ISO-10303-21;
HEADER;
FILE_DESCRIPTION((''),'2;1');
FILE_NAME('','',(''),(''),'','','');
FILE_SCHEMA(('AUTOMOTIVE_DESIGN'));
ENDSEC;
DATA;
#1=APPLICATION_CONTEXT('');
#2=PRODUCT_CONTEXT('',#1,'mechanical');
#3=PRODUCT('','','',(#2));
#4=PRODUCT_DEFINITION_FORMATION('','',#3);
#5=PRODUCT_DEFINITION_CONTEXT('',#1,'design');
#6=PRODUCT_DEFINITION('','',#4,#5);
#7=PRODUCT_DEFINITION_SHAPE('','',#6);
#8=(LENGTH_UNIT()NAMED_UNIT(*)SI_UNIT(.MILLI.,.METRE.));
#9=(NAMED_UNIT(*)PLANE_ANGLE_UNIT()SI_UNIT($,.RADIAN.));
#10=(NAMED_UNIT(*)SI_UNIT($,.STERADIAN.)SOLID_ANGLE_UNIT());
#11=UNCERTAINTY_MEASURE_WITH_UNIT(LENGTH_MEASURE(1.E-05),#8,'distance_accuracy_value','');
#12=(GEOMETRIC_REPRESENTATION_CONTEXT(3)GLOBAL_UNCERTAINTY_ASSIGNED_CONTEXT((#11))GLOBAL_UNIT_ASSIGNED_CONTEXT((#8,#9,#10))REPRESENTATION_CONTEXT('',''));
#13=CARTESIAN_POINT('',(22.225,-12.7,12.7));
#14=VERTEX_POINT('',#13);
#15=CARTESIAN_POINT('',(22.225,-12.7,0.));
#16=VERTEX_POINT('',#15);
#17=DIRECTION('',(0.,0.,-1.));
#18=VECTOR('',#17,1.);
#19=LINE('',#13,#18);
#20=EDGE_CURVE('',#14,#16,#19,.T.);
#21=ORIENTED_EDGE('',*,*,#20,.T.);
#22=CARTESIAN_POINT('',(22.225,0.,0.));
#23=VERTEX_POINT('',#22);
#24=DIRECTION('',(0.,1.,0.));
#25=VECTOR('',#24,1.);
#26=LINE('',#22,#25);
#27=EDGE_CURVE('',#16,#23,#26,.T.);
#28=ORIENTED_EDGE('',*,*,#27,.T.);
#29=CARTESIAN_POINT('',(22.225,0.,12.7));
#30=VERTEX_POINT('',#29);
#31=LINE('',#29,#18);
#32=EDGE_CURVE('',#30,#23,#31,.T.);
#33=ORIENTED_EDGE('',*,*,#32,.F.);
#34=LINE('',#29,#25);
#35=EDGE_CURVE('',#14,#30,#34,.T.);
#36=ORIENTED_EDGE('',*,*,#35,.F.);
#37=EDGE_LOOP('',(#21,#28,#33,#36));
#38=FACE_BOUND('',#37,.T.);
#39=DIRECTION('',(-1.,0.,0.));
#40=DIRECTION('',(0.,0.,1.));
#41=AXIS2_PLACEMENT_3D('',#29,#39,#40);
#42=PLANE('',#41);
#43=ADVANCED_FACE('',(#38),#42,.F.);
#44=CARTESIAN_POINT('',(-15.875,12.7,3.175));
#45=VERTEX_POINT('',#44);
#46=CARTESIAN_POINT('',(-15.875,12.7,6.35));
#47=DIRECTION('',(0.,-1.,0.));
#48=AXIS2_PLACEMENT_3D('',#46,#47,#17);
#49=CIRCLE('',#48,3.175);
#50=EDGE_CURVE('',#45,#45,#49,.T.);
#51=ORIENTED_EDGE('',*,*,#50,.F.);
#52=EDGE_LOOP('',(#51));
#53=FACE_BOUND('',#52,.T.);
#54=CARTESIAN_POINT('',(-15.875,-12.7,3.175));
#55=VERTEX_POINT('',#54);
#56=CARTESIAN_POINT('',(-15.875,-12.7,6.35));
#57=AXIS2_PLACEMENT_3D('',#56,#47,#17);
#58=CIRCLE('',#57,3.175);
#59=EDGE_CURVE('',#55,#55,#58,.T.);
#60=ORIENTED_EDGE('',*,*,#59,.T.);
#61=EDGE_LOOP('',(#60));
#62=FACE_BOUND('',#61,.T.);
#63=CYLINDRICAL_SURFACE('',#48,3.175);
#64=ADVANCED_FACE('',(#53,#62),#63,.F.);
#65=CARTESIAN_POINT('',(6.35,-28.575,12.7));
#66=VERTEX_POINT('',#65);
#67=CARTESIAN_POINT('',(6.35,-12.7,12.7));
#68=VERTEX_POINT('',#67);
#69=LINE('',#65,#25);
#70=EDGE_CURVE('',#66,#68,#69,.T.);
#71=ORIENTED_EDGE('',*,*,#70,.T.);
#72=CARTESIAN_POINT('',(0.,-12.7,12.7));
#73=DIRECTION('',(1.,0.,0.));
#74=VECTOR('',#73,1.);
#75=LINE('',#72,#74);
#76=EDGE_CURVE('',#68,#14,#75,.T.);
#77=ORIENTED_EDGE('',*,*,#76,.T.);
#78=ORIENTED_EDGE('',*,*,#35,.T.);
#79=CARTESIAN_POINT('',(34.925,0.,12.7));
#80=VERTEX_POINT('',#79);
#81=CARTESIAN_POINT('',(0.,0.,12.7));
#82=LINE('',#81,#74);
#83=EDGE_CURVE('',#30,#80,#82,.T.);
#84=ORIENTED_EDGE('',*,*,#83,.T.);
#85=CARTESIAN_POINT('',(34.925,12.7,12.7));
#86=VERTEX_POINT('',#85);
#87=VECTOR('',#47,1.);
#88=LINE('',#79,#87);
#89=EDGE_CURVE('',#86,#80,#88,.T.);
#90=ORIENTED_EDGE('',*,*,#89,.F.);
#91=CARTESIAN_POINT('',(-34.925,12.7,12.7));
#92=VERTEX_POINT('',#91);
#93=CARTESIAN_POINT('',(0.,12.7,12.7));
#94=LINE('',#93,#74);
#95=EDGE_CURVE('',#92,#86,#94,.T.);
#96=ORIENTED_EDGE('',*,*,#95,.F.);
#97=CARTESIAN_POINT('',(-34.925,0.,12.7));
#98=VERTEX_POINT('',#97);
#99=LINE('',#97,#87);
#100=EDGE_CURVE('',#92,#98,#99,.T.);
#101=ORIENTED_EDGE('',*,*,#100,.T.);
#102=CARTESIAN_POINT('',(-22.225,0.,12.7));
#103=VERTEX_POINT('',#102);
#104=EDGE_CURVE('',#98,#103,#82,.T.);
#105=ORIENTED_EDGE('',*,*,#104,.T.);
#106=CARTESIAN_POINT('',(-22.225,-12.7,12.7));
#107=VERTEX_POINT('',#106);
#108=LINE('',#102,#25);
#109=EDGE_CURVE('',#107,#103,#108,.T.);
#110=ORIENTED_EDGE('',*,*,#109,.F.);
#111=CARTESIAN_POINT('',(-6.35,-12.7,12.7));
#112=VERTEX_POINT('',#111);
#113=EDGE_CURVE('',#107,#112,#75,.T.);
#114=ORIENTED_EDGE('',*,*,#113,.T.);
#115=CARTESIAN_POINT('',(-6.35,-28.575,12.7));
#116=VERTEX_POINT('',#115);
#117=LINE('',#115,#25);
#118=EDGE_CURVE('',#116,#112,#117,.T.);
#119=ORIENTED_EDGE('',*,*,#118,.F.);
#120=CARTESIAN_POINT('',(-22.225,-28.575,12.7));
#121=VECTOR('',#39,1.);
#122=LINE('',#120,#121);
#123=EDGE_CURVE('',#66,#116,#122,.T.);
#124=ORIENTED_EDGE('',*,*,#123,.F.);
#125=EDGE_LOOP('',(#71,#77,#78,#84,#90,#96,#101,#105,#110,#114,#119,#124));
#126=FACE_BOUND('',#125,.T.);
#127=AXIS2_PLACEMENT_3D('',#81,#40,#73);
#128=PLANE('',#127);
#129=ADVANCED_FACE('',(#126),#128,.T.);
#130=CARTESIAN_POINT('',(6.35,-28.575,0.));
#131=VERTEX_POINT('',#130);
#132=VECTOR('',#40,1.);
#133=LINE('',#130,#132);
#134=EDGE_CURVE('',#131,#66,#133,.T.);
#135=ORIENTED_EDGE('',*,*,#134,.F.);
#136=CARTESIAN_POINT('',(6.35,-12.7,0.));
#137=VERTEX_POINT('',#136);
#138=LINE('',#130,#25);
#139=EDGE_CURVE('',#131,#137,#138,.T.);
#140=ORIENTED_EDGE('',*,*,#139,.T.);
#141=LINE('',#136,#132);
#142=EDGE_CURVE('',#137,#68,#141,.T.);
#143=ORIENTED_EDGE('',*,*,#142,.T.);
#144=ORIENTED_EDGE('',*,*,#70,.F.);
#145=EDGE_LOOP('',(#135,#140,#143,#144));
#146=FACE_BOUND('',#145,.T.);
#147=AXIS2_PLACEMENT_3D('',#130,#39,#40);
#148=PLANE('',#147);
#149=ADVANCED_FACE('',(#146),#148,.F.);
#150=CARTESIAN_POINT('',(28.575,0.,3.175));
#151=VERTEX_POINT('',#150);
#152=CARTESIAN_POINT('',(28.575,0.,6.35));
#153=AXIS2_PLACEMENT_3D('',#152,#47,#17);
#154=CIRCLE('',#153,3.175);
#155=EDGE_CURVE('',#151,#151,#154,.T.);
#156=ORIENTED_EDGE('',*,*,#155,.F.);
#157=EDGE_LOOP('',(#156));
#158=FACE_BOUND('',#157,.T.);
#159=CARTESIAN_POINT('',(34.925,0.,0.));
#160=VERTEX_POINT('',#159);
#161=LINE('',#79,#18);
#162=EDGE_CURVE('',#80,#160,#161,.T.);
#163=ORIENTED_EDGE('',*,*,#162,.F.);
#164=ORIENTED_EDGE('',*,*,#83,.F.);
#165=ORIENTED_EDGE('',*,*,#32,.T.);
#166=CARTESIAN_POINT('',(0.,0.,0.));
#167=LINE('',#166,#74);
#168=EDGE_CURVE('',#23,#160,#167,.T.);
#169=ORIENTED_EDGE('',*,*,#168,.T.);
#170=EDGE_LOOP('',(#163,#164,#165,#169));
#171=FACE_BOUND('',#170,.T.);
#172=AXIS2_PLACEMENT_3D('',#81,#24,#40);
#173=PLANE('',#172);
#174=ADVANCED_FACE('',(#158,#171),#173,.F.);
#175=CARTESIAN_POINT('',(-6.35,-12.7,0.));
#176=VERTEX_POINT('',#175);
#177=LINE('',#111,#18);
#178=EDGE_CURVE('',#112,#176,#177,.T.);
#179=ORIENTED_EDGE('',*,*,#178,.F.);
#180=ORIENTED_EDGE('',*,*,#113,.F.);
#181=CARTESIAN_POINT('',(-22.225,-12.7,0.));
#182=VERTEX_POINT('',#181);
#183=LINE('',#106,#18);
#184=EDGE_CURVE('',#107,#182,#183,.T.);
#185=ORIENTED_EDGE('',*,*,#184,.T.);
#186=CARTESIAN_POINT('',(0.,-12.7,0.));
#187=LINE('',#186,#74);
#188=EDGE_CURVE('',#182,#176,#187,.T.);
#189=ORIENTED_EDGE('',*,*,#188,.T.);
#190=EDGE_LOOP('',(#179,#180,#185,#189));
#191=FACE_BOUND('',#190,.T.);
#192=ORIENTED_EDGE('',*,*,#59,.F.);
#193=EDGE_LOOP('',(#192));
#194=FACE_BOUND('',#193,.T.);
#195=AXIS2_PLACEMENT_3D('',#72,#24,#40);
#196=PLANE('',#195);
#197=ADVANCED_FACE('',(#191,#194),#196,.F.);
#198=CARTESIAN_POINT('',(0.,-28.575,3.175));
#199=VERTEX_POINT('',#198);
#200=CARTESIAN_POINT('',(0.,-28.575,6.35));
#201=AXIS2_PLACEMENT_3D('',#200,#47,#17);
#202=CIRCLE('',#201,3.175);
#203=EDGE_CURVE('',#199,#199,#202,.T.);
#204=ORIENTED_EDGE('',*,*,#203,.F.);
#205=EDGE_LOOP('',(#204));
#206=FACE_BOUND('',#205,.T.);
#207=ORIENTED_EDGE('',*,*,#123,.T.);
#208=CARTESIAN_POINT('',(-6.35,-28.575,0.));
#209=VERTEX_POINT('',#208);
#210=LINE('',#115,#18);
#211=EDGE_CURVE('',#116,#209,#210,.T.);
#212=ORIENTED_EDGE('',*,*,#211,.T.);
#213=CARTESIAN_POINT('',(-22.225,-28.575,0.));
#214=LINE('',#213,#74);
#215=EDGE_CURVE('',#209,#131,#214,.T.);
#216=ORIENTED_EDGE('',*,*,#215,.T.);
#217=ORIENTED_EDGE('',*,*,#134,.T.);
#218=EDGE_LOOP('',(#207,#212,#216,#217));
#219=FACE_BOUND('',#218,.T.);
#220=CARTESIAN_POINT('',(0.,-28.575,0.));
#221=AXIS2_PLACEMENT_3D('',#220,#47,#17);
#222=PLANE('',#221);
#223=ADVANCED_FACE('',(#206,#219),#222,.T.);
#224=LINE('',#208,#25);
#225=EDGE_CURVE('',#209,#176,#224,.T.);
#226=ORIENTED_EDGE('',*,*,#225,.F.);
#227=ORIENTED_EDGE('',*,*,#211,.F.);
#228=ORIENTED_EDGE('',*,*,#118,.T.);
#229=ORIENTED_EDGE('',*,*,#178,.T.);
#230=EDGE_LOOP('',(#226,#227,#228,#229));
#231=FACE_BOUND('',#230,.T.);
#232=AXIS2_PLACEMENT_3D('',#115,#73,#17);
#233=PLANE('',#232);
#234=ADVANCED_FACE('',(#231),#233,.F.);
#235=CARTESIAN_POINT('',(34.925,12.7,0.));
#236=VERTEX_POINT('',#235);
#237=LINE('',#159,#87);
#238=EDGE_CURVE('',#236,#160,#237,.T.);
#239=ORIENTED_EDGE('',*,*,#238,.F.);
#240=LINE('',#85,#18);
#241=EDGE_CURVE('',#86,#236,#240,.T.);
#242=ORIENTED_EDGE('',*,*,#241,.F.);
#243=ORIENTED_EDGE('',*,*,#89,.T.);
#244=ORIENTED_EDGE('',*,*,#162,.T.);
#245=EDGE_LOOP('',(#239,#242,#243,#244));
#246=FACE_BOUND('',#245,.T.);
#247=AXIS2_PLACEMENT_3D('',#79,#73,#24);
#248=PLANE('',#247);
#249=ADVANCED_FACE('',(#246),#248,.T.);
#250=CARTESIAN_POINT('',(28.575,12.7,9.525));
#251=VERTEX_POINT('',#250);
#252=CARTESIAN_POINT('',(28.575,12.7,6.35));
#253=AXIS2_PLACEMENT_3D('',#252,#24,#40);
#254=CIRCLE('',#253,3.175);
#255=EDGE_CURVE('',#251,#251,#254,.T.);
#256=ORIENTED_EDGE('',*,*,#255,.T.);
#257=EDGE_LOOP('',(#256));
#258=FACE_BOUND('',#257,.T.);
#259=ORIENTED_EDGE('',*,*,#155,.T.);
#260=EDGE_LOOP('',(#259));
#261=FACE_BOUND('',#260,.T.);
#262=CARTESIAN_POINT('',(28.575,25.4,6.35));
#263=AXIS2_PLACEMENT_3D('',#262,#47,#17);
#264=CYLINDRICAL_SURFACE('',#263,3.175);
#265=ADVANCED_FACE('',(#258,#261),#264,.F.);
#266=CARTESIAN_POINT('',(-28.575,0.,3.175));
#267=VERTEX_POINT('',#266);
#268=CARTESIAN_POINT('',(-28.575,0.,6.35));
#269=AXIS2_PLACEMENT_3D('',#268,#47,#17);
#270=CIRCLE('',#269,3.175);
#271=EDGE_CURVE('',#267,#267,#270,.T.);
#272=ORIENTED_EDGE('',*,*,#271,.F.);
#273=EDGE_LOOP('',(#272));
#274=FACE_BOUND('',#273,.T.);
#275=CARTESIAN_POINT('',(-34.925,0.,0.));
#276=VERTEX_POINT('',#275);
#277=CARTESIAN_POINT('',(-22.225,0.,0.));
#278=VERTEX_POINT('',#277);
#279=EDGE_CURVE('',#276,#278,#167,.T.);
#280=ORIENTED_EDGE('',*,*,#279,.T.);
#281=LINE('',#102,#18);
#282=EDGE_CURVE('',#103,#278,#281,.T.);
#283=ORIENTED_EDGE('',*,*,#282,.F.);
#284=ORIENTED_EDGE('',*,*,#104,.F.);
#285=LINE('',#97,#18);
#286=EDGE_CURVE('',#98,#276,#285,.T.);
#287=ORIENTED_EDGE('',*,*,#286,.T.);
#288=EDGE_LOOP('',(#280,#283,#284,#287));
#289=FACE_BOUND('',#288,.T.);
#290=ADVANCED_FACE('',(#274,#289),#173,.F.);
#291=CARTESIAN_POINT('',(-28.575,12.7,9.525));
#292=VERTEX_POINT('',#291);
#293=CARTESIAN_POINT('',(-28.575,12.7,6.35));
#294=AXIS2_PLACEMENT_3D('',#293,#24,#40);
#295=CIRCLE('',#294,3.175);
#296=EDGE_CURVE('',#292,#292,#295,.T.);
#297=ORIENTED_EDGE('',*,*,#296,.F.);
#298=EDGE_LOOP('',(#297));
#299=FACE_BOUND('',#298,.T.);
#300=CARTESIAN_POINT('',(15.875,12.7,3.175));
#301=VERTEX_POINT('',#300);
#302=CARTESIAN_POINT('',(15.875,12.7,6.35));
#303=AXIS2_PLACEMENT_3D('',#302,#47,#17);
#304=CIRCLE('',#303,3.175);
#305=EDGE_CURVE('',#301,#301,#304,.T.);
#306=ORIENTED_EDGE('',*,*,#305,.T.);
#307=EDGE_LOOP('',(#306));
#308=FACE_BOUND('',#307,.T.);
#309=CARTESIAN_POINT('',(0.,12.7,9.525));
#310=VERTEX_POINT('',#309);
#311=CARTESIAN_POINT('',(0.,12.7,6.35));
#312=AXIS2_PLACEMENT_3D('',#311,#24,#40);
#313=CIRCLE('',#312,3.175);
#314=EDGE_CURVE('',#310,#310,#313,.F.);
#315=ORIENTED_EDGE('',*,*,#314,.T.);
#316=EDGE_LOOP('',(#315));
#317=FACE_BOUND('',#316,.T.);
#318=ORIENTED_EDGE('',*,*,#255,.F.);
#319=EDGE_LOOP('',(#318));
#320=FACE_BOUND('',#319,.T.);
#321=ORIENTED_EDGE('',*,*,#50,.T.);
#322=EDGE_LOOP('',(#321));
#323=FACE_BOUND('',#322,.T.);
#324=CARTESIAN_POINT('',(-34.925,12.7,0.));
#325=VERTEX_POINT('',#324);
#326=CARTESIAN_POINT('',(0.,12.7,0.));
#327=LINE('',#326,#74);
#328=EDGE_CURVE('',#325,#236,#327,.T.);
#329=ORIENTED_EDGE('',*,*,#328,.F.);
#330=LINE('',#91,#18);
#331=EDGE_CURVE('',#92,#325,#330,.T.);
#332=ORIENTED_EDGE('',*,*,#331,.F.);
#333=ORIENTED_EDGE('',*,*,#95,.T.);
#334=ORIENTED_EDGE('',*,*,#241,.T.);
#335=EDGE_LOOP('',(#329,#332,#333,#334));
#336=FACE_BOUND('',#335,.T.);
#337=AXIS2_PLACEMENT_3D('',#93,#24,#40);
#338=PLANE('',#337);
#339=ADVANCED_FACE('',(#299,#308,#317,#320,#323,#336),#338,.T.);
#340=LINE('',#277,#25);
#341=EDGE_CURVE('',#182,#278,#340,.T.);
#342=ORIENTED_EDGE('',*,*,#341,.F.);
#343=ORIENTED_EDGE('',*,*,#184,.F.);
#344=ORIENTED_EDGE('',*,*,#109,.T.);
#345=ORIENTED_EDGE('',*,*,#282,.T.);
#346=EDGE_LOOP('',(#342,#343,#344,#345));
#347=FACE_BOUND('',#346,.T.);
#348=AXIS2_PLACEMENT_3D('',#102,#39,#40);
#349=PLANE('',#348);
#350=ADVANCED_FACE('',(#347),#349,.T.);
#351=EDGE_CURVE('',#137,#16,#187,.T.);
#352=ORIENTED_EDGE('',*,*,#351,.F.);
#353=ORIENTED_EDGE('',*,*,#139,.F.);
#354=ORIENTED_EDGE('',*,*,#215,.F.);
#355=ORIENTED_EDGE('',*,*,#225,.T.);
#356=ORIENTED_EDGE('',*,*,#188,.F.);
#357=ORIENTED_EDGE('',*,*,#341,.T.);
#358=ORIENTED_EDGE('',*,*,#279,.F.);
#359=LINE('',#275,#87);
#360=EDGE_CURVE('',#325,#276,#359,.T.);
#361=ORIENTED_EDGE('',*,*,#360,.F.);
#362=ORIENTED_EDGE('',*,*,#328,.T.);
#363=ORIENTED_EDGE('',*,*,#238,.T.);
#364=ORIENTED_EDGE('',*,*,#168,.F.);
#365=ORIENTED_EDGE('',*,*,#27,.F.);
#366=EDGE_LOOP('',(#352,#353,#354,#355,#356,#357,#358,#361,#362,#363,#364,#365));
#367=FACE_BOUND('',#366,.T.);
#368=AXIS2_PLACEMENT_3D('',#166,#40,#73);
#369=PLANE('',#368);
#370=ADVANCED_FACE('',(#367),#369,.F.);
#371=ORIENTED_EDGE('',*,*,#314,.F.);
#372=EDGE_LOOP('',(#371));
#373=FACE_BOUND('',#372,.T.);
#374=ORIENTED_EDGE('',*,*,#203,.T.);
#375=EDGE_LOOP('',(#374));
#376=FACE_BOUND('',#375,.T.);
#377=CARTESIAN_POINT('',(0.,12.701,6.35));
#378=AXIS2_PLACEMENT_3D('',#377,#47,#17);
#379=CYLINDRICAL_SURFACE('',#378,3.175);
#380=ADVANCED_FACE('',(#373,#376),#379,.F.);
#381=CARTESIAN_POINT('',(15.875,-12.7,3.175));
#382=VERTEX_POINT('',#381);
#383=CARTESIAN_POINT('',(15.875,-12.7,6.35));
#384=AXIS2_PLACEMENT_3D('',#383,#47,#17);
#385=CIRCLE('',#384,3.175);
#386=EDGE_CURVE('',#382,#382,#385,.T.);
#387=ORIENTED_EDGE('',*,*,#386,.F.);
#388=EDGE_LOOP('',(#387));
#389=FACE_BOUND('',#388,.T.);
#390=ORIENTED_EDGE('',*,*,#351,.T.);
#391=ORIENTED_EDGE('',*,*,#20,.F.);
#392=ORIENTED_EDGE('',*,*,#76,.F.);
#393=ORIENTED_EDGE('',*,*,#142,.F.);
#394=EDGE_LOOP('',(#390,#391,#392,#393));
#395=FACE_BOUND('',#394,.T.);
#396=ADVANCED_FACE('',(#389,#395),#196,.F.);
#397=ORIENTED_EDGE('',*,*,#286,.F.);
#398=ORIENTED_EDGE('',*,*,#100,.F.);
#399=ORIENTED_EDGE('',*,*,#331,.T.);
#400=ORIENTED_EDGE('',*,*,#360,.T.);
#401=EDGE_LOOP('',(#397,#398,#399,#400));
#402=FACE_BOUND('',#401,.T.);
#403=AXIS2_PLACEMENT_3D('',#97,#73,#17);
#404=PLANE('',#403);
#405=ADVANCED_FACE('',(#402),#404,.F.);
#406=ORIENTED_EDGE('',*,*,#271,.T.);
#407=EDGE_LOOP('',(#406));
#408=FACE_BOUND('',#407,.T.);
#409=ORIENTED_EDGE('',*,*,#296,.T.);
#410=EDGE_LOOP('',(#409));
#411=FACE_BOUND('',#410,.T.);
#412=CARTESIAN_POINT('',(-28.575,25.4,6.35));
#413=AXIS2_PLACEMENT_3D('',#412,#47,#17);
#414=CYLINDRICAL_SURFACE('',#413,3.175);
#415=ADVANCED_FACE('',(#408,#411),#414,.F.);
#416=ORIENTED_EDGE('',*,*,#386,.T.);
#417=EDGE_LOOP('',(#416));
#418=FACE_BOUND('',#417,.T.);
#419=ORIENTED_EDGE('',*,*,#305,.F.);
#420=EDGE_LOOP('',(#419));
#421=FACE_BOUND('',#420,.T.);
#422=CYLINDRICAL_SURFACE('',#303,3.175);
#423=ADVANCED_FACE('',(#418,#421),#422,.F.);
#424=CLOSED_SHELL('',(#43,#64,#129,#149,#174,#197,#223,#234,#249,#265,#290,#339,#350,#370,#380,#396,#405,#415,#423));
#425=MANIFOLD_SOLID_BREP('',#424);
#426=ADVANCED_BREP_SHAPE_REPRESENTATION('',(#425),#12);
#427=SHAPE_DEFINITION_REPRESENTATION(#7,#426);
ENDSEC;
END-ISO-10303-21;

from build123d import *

# Parameters (mm, degrees)
SKETCH1_W           = 44.45
SKETCH1_H           = 12.7
SKETCH1_W_2         = 12.7
BOSS_EXTRUDE1_DEPTH = 12.7
SKETCH2_R           = 3.175
CUT_EXTRUDE1_DEPTH  = 25.4
SKETCH3_R           = 3.175
CUT_EXTRUDE2_DEPTH  = 25.4
SKETCH4_W           = 12.7
SKETCH4_H           = 12.7
BOSS_EXTRUDE2_DEPTH = 15.875
BOSS_EXTRUDE3_START = 12.7
SKETCH5_W           = 44.45
SKETCH5_H           = 12.7
SKETCH5_R           = 3.175
BOSS_EXTRUDE3_DEPTH = 12.7
SKETCH6_W           = 44.45
SKETCH6_H           = 12.7
CUT_EXTRUDE3_DEPTH  = 12.7
CUT_EXTRUDE4_REACH  = 57.54
SKETCH7_R           = 3.175


with BuildPart() as part:
    # Sketch1 → Boss-Extrude1 (new body)
    with BuildSketch(Plane.XY):
        with Locations((0, -6.35)):
            Rectangle(SKETCH1_W, SKETCH1_H)
        with Locations((0, 6.35)):
            Rectangle(SKETCH1_W, SKETCH1_H)
        with Locations((-28.575, 6.35)):
            Rectangle(SKETCH1_W_2, SKETCH1_H)
        with Locations((28.575, 6.35)):
            Rectangle(SKETCH1_W_2, SKETCH1_H)
    extrude(amount=BOSS_EXTRUDE1_DEPTH)

    # Sketch2 → Cut-Extrude1 (cut)
    with BuildSketch(Plane.XZ.offset(12.7)):
        with Locations(Location((-15.875, 6.35, 0), (0, 0, 270))):
            Circle(SKETCH2_R)
        with Locations(Location((15.875, 6.35, 0), (0, 0, 270))):
            Circle(SKETCH2_R)
    extrude(amount=-CUT_EXTRUDE1_DEPTH, mode=Mode.SUBTRACT)

    # Sketch3 → Cut-Extrude2 (cut)
    with BuildSketch(Plane.XZ):
        with Locations(Location((-28.575, 6.35, 0), (0, 0, 270))):
            Circle(SKETCH3_R)
        with Locations(Location((28.575, 6.35, 0), (0, 0, 270))):
            Circle(SKETCH3_R)
    extrude(amount=-CUT_EXTRUDE2_DEPTH, mode=Mode.SUBTRACT)

    # Sketch4 → Boss-Extrude2 (add)
    with BuildSketch(Plane.XZ.offset(12.7)):
        with Locations((0, 6.35)):
            Rectangle(SKETCH4_W, SKETCH4_H)
    extrude(amount=BOSS_EXTRUDE2_DEPTH)

    # Sketch5 → Boss-Extrude3 (add)
    with BuildSketch(Plane.XZ.offset(28.575).offset(BOSS_EXTRUDE3_START)):
        with Locations((0, 6.35)):
            Rectangle(SKETCH5_W, SKETCH5_H)
        with Locations(Location((-15.875, 6.35, 0), (0, 0, 270))):
            Circle(SKETCH5_R, mode=Mode.SUBTRACT)
        with Locations(Location((15.875, 6.35, 0), (0, 0, 270))):
            Circle(SKETCH5_R, mode=Mode.SUBTRACT)
    extrude(amount=-BOSS_EXTRUDE3_DEPTH)

    # Sketch6 → Cut-Extrude3 (cut)
    with BuildSketch(Plane.XZ.offset(41.275)):
        with Locations((0, 6.35)):
            Rectangle(SKETCH6_W, SKETCH6_H)
    extrude(amount=-CUT_EXTRUDE3_DEPTH, mode=Mode.SUBTRACT)

    # Sketch7 → Cut-Extrude4 (cut, up to next)
    with BuildSketch(Plane.XZ.offset(28.575), mode=Mode.PRIVATE) as cut_extrude4_sk1:
        with Locations(Location((0, 6.35, 0), (0, 0, 270))):
            Circle(SKETCH7_R)
    cut_extrude4_tool1 = extrude(cut_extrude4_sk1.sketch, amount=-CUT_EXTRUDE4_REACH, mode=Mode.PRIVATE) & part.part
    add(cut_extrude4_tool1.solids().sort_by_distance((0, -28.575, 6.35))[0], mode=Mode.SUBTRACT)


solid = part.part
